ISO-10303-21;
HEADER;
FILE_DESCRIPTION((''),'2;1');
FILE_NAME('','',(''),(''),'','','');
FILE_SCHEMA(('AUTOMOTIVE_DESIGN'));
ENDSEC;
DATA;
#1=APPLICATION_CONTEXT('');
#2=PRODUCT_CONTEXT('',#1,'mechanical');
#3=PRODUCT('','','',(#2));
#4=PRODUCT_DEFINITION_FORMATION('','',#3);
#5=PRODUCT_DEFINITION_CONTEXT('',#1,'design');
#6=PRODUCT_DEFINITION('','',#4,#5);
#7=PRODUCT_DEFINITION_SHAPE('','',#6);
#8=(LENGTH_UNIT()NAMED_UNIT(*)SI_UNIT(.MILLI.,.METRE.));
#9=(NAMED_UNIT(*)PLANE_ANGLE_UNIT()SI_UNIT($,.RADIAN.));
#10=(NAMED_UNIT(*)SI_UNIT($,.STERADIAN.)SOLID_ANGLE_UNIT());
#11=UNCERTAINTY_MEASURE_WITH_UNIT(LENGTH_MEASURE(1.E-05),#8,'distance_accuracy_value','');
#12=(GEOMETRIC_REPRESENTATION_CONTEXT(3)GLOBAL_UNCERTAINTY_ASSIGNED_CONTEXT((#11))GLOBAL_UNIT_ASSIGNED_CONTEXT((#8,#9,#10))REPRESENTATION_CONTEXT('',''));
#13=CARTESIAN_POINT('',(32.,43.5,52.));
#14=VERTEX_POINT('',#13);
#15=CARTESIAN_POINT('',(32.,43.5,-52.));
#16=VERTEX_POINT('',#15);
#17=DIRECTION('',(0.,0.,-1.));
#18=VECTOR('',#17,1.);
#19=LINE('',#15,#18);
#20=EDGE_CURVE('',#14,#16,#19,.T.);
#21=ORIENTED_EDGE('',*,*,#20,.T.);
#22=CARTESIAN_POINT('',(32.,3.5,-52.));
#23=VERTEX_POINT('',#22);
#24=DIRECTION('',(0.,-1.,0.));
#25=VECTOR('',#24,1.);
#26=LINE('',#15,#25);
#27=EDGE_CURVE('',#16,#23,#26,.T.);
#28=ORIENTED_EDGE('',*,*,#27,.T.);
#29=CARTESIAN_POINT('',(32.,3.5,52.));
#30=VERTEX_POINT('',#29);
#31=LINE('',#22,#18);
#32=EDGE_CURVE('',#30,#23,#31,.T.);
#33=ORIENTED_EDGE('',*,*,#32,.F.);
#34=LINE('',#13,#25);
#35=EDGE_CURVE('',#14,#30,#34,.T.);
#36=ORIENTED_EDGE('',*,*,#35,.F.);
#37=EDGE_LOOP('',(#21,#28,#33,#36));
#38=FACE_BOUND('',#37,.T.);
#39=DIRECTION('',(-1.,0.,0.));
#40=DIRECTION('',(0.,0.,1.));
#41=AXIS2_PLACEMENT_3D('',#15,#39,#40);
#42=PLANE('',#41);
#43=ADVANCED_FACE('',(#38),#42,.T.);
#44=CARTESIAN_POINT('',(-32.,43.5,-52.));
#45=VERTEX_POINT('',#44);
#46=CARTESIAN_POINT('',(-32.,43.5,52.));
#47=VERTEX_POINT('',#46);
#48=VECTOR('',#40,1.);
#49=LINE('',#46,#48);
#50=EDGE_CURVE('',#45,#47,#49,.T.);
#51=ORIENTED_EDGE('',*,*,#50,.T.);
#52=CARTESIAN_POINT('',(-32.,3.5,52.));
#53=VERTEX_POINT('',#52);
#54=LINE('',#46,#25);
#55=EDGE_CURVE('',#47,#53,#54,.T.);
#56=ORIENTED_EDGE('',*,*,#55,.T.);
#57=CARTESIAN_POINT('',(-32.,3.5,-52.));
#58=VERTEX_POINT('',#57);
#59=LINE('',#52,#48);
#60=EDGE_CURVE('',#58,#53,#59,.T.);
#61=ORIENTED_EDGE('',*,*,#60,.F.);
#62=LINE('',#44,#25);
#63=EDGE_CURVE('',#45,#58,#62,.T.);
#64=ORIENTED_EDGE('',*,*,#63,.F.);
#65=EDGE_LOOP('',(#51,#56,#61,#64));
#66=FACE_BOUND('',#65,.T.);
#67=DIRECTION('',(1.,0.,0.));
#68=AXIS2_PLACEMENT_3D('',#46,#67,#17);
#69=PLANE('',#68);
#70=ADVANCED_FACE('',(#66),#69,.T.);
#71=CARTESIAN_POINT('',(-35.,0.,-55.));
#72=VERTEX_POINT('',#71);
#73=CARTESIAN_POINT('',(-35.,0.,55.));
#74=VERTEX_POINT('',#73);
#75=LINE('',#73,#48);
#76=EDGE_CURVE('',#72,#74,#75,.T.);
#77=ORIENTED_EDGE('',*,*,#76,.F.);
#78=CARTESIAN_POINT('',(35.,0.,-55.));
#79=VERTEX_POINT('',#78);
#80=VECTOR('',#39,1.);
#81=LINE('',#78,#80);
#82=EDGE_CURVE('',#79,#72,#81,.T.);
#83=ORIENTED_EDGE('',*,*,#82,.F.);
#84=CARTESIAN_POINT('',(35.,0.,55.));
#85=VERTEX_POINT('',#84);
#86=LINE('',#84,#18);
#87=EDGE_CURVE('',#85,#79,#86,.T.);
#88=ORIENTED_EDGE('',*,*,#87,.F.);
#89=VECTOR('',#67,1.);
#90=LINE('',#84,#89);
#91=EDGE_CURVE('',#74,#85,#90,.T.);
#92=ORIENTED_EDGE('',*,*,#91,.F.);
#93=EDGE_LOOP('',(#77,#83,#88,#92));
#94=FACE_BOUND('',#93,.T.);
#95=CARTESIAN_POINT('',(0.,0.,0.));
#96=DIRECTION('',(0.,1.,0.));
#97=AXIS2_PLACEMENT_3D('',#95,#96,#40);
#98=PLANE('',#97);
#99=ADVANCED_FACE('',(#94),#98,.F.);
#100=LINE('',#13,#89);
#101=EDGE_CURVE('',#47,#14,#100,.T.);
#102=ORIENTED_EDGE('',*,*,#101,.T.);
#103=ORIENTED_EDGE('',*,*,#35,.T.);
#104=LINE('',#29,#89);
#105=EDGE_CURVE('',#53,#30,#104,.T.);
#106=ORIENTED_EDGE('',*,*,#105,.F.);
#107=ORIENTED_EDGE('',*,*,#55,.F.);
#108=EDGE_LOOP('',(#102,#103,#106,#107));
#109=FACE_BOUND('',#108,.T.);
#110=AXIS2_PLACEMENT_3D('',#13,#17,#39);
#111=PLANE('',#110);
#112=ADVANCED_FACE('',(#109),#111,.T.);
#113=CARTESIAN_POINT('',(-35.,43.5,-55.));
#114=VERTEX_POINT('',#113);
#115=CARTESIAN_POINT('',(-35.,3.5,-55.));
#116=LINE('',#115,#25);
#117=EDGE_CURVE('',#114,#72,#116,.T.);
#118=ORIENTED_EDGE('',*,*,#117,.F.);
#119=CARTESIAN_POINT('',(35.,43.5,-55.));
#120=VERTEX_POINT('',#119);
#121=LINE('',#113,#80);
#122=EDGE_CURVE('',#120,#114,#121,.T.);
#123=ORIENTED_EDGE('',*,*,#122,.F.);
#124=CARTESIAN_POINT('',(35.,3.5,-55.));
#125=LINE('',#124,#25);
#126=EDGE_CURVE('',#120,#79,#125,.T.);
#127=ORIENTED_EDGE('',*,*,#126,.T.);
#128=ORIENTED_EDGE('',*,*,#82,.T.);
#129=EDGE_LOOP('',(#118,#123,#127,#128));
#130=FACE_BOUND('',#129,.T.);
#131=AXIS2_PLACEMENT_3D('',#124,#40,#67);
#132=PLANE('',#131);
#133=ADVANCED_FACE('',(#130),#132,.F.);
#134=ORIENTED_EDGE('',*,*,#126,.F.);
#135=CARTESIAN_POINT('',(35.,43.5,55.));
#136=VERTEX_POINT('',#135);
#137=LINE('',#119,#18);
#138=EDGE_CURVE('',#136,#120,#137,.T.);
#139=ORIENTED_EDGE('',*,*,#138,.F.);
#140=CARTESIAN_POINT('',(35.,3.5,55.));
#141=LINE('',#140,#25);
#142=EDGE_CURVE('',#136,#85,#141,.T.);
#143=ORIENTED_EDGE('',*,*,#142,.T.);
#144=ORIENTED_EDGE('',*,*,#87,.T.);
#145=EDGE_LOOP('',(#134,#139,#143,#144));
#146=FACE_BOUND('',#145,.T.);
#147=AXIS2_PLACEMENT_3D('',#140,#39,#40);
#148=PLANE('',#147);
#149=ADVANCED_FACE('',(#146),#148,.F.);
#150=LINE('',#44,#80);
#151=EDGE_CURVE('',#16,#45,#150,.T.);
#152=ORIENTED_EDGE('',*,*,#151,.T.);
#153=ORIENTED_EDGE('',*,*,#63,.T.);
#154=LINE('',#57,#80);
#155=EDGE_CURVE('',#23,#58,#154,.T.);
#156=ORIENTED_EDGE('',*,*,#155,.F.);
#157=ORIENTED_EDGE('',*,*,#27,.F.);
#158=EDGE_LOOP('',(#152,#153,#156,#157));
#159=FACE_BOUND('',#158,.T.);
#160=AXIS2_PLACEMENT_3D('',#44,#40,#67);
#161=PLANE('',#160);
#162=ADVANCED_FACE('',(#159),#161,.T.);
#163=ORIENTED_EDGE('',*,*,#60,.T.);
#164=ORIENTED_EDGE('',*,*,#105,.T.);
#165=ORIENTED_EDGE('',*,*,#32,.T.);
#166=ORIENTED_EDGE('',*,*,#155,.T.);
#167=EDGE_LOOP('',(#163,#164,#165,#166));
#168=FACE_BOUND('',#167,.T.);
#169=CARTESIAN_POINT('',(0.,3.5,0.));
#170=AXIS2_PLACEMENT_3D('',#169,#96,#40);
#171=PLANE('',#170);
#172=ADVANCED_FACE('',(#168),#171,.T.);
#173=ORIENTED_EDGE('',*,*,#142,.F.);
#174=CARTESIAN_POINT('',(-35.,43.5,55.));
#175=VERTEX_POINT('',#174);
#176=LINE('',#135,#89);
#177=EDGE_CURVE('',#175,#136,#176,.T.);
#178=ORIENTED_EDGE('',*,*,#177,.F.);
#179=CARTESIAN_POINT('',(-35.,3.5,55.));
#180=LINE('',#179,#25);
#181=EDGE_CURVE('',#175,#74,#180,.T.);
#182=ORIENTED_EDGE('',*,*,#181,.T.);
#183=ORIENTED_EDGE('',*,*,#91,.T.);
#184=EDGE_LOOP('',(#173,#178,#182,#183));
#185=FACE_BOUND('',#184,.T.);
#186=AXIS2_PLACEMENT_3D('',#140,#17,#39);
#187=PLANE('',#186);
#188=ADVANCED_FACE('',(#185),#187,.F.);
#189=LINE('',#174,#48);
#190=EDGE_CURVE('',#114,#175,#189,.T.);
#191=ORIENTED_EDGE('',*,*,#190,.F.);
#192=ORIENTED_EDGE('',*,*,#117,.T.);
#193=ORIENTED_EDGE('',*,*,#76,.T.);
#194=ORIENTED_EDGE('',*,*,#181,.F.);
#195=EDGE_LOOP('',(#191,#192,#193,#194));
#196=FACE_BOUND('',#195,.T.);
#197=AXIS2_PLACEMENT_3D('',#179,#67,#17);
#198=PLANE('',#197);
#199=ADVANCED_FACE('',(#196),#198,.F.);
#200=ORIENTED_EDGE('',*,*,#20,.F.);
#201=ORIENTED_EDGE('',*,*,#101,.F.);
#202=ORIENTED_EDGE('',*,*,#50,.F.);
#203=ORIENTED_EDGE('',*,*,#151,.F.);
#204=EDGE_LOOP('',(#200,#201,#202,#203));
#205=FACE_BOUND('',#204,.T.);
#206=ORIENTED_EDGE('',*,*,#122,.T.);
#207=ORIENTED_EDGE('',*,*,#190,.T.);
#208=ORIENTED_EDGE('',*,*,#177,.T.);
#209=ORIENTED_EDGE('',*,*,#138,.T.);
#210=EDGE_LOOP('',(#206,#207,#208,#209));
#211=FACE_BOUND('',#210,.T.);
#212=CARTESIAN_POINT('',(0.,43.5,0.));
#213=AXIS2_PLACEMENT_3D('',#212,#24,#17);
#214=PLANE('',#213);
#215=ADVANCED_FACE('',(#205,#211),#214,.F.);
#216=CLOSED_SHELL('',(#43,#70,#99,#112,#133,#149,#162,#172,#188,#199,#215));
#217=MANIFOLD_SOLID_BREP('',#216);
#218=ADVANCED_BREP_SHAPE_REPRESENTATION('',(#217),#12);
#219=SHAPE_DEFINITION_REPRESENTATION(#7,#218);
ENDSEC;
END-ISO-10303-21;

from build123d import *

# Parameters (mm, degrees)
BASE_PLATE_W         = 70
BASE_PLATE_H         = 110
BASE_PLATE_EXT_DEPTH = 3.5
WALL_W               = 70
WALL_H               = 110
WALL_W_2             = 64
WALL_H_2             = 104
WALL_EXT_DEPTH       = 40


with BuildPart() as part:
    # Base plate → Base plate EXT (new body)
    with BuildSketch(Plane(origin=(0, 0, 0), x_dir=(1, 0, 0), z_dir=(0, 1, 0))):
        Rectangle(BASE_PLATE_W, BASE_PLATE_H)
    extrude(amount=BASE_PLATE_EXT_DEPTH)

    # Wall → Wall Ext (add)
    with BuildSketch(Plane(origin=(0, 3.5, 0), x_dir=(1, 0, 0), z_dir=(0, 1, 0))):
        Rectangle(WALL_W, WALL_H)
        Rectangle(WALL_W_2, WALL_H_2, mode=Mode.SUBTRACT)
    extrude(amount=WALL_EXT_DEPTH)


solid = part.part
